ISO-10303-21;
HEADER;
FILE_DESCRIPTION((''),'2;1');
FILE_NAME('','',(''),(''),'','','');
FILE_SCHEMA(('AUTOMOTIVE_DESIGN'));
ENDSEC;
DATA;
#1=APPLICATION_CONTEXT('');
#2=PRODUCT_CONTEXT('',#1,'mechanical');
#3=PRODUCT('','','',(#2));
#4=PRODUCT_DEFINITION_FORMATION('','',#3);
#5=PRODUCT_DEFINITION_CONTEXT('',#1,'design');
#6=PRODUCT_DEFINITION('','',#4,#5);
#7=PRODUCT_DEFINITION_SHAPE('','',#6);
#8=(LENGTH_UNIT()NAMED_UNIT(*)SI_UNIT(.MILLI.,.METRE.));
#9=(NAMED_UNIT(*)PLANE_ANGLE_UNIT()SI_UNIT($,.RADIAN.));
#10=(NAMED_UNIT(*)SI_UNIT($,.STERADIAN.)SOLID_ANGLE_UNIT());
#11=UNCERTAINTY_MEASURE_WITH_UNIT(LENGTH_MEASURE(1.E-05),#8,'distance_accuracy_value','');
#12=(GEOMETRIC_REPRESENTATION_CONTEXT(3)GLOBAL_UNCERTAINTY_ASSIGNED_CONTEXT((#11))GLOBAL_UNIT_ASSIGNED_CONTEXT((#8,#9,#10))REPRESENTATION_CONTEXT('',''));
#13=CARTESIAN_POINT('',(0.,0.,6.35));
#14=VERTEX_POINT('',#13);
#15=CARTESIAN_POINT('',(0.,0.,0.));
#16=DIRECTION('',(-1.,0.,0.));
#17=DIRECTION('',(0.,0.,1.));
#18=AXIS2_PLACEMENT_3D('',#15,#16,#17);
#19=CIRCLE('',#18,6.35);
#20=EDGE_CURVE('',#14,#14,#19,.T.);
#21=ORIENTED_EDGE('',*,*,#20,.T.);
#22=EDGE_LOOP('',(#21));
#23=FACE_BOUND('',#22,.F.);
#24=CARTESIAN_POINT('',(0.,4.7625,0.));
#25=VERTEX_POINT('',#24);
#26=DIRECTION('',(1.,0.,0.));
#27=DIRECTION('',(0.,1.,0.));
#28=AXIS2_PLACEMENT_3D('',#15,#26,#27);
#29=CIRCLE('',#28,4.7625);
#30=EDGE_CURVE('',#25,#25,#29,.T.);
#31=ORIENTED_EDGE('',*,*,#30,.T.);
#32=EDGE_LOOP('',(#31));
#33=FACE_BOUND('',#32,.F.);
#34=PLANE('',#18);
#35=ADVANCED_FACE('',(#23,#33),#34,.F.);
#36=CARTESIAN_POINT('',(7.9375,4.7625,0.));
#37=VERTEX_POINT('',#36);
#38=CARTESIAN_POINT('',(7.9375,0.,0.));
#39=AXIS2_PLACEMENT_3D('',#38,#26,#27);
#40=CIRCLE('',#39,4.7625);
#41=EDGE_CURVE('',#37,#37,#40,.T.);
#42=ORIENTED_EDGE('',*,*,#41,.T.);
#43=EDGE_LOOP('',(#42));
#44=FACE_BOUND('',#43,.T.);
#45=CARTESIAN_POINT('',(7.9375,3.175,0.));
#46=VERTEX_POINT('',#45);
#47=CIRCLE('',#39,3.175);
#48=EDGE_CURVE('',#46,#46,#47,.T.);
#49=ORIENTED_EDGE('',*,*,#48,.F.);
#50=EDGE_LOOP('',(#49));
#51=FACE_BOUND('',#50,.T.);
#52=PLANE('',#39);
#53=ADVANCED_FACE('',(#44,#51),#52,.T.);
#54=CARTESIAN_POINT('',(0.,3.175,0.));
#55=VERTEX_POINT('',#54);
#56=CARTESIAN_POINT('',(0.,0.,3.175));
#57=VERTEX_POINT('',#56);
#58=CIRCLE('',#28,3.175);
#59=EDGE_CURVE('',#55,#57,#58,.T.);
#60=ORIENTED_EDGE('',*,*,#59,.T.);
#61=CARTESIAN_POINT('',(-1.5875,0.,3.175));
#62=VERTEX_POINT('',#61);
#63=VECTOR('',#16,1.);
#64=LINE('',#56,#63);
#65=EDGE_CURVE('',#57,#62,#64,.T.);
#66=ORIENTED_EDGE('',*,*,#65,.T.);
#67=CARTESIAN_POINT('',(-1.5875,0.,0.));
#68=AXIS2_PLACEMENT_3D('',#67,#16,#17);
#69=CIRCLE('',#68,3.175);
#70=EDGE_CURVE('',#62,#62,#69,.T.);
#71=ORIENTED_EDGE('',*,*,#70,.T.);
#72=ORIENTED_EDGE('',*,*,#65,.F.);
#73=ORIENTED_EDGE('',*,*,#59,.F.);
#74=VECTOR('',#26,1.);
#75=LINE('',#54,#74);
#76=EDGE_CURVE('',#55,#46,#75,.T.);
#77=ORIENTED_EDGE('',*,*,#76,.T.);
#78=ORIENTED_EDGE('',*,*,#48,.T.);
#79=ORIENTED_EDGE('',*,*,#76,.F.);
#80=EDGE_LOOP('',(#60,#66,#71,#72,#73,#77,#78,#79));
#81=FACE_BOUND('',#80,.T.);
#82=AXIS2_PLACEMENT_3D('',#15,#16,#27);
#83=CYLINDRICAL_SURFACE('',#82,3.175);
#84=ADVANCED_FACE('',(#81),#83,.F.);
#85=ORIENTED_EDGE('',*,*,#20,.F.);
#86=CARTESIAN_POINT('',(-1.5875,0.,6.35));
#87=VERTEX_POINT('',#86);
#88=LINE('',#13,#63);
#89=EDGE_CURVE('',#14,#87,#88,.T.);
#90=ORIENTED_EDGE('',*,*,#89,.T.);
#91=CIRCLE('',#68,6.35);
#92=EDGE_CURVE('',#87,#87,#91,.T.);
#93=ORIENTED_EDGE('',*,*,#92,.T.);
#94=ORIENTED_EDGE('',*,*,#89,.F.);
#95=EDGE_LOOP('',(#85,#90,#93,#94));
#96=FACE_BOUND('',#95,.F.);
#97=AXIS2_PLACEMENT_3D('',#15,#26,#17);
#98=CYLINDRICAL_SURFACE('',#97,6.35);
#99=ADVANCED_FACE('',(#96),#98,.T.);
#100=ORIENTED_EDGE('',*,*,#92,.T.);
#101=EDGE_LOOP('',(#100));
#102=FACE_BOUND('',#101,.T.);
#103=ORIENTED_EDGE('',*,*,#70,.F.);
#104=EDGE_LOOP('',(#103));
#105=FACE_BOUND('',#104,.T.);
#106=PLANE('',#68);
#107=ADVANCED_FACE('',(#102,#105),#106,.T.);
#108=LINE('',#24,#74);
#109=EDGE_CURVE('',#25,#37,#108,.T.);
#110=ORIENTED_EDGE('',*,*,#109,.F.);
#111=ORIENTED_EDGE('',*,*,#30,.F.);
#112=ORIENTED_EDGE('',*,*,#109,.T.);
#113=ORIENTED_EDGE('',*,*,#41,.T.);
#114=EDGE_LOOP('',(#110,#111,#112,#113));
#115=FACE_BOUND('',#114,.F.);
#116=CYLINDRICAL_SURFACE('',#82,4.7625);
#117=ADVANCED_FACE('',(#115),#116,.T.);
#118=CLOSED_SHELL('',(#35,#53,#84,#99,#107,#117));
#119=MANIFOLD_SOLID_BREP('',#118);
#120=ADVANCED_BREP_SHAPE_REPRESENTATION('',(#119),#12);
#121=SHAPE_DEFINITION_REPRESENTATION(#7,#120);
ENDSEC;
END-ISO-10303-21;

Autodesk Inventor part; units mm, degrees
ref_plane "YZ Plane" through (0, 0, 0) normal (1, 0, 0) x (0, 1, 0)
ref_plane "XZ Plane" through (0, 0, 0) normal (0, 1, 0) x (-1, 0, 0)
ref_plane "XY Plane" through (0, 0, 0) normal (0, 0, 1) x (1, 0, 0)
sketch "Sketch1" plane through (0, 0, 0) normal (1, 0, 0) x (0, 1, 0)
  circle A0 centre (0, 0) radius 3.175
  circle A1 centre (0, 0) radius 4.7625
  dimension "d0" = 6.35
  dimension "d1" = 9.525
extrude "Extrusion1" add sketch "Sketch1" along normal blind 7.9375
sketch "Sketch2" plane through (0, 0, 0) normal (-1, 0, 0) x (0, 0, 1)
  circle A0 centre (0, 0) radius 3.175 projected
  circle A1 centre (0, 0) radius 6.35
  dimension "d4" = 12.7
extrude "Extrusion2" add sketch "Sketch2" along normal blind 1.5875
properties part number ".25 bushing"
